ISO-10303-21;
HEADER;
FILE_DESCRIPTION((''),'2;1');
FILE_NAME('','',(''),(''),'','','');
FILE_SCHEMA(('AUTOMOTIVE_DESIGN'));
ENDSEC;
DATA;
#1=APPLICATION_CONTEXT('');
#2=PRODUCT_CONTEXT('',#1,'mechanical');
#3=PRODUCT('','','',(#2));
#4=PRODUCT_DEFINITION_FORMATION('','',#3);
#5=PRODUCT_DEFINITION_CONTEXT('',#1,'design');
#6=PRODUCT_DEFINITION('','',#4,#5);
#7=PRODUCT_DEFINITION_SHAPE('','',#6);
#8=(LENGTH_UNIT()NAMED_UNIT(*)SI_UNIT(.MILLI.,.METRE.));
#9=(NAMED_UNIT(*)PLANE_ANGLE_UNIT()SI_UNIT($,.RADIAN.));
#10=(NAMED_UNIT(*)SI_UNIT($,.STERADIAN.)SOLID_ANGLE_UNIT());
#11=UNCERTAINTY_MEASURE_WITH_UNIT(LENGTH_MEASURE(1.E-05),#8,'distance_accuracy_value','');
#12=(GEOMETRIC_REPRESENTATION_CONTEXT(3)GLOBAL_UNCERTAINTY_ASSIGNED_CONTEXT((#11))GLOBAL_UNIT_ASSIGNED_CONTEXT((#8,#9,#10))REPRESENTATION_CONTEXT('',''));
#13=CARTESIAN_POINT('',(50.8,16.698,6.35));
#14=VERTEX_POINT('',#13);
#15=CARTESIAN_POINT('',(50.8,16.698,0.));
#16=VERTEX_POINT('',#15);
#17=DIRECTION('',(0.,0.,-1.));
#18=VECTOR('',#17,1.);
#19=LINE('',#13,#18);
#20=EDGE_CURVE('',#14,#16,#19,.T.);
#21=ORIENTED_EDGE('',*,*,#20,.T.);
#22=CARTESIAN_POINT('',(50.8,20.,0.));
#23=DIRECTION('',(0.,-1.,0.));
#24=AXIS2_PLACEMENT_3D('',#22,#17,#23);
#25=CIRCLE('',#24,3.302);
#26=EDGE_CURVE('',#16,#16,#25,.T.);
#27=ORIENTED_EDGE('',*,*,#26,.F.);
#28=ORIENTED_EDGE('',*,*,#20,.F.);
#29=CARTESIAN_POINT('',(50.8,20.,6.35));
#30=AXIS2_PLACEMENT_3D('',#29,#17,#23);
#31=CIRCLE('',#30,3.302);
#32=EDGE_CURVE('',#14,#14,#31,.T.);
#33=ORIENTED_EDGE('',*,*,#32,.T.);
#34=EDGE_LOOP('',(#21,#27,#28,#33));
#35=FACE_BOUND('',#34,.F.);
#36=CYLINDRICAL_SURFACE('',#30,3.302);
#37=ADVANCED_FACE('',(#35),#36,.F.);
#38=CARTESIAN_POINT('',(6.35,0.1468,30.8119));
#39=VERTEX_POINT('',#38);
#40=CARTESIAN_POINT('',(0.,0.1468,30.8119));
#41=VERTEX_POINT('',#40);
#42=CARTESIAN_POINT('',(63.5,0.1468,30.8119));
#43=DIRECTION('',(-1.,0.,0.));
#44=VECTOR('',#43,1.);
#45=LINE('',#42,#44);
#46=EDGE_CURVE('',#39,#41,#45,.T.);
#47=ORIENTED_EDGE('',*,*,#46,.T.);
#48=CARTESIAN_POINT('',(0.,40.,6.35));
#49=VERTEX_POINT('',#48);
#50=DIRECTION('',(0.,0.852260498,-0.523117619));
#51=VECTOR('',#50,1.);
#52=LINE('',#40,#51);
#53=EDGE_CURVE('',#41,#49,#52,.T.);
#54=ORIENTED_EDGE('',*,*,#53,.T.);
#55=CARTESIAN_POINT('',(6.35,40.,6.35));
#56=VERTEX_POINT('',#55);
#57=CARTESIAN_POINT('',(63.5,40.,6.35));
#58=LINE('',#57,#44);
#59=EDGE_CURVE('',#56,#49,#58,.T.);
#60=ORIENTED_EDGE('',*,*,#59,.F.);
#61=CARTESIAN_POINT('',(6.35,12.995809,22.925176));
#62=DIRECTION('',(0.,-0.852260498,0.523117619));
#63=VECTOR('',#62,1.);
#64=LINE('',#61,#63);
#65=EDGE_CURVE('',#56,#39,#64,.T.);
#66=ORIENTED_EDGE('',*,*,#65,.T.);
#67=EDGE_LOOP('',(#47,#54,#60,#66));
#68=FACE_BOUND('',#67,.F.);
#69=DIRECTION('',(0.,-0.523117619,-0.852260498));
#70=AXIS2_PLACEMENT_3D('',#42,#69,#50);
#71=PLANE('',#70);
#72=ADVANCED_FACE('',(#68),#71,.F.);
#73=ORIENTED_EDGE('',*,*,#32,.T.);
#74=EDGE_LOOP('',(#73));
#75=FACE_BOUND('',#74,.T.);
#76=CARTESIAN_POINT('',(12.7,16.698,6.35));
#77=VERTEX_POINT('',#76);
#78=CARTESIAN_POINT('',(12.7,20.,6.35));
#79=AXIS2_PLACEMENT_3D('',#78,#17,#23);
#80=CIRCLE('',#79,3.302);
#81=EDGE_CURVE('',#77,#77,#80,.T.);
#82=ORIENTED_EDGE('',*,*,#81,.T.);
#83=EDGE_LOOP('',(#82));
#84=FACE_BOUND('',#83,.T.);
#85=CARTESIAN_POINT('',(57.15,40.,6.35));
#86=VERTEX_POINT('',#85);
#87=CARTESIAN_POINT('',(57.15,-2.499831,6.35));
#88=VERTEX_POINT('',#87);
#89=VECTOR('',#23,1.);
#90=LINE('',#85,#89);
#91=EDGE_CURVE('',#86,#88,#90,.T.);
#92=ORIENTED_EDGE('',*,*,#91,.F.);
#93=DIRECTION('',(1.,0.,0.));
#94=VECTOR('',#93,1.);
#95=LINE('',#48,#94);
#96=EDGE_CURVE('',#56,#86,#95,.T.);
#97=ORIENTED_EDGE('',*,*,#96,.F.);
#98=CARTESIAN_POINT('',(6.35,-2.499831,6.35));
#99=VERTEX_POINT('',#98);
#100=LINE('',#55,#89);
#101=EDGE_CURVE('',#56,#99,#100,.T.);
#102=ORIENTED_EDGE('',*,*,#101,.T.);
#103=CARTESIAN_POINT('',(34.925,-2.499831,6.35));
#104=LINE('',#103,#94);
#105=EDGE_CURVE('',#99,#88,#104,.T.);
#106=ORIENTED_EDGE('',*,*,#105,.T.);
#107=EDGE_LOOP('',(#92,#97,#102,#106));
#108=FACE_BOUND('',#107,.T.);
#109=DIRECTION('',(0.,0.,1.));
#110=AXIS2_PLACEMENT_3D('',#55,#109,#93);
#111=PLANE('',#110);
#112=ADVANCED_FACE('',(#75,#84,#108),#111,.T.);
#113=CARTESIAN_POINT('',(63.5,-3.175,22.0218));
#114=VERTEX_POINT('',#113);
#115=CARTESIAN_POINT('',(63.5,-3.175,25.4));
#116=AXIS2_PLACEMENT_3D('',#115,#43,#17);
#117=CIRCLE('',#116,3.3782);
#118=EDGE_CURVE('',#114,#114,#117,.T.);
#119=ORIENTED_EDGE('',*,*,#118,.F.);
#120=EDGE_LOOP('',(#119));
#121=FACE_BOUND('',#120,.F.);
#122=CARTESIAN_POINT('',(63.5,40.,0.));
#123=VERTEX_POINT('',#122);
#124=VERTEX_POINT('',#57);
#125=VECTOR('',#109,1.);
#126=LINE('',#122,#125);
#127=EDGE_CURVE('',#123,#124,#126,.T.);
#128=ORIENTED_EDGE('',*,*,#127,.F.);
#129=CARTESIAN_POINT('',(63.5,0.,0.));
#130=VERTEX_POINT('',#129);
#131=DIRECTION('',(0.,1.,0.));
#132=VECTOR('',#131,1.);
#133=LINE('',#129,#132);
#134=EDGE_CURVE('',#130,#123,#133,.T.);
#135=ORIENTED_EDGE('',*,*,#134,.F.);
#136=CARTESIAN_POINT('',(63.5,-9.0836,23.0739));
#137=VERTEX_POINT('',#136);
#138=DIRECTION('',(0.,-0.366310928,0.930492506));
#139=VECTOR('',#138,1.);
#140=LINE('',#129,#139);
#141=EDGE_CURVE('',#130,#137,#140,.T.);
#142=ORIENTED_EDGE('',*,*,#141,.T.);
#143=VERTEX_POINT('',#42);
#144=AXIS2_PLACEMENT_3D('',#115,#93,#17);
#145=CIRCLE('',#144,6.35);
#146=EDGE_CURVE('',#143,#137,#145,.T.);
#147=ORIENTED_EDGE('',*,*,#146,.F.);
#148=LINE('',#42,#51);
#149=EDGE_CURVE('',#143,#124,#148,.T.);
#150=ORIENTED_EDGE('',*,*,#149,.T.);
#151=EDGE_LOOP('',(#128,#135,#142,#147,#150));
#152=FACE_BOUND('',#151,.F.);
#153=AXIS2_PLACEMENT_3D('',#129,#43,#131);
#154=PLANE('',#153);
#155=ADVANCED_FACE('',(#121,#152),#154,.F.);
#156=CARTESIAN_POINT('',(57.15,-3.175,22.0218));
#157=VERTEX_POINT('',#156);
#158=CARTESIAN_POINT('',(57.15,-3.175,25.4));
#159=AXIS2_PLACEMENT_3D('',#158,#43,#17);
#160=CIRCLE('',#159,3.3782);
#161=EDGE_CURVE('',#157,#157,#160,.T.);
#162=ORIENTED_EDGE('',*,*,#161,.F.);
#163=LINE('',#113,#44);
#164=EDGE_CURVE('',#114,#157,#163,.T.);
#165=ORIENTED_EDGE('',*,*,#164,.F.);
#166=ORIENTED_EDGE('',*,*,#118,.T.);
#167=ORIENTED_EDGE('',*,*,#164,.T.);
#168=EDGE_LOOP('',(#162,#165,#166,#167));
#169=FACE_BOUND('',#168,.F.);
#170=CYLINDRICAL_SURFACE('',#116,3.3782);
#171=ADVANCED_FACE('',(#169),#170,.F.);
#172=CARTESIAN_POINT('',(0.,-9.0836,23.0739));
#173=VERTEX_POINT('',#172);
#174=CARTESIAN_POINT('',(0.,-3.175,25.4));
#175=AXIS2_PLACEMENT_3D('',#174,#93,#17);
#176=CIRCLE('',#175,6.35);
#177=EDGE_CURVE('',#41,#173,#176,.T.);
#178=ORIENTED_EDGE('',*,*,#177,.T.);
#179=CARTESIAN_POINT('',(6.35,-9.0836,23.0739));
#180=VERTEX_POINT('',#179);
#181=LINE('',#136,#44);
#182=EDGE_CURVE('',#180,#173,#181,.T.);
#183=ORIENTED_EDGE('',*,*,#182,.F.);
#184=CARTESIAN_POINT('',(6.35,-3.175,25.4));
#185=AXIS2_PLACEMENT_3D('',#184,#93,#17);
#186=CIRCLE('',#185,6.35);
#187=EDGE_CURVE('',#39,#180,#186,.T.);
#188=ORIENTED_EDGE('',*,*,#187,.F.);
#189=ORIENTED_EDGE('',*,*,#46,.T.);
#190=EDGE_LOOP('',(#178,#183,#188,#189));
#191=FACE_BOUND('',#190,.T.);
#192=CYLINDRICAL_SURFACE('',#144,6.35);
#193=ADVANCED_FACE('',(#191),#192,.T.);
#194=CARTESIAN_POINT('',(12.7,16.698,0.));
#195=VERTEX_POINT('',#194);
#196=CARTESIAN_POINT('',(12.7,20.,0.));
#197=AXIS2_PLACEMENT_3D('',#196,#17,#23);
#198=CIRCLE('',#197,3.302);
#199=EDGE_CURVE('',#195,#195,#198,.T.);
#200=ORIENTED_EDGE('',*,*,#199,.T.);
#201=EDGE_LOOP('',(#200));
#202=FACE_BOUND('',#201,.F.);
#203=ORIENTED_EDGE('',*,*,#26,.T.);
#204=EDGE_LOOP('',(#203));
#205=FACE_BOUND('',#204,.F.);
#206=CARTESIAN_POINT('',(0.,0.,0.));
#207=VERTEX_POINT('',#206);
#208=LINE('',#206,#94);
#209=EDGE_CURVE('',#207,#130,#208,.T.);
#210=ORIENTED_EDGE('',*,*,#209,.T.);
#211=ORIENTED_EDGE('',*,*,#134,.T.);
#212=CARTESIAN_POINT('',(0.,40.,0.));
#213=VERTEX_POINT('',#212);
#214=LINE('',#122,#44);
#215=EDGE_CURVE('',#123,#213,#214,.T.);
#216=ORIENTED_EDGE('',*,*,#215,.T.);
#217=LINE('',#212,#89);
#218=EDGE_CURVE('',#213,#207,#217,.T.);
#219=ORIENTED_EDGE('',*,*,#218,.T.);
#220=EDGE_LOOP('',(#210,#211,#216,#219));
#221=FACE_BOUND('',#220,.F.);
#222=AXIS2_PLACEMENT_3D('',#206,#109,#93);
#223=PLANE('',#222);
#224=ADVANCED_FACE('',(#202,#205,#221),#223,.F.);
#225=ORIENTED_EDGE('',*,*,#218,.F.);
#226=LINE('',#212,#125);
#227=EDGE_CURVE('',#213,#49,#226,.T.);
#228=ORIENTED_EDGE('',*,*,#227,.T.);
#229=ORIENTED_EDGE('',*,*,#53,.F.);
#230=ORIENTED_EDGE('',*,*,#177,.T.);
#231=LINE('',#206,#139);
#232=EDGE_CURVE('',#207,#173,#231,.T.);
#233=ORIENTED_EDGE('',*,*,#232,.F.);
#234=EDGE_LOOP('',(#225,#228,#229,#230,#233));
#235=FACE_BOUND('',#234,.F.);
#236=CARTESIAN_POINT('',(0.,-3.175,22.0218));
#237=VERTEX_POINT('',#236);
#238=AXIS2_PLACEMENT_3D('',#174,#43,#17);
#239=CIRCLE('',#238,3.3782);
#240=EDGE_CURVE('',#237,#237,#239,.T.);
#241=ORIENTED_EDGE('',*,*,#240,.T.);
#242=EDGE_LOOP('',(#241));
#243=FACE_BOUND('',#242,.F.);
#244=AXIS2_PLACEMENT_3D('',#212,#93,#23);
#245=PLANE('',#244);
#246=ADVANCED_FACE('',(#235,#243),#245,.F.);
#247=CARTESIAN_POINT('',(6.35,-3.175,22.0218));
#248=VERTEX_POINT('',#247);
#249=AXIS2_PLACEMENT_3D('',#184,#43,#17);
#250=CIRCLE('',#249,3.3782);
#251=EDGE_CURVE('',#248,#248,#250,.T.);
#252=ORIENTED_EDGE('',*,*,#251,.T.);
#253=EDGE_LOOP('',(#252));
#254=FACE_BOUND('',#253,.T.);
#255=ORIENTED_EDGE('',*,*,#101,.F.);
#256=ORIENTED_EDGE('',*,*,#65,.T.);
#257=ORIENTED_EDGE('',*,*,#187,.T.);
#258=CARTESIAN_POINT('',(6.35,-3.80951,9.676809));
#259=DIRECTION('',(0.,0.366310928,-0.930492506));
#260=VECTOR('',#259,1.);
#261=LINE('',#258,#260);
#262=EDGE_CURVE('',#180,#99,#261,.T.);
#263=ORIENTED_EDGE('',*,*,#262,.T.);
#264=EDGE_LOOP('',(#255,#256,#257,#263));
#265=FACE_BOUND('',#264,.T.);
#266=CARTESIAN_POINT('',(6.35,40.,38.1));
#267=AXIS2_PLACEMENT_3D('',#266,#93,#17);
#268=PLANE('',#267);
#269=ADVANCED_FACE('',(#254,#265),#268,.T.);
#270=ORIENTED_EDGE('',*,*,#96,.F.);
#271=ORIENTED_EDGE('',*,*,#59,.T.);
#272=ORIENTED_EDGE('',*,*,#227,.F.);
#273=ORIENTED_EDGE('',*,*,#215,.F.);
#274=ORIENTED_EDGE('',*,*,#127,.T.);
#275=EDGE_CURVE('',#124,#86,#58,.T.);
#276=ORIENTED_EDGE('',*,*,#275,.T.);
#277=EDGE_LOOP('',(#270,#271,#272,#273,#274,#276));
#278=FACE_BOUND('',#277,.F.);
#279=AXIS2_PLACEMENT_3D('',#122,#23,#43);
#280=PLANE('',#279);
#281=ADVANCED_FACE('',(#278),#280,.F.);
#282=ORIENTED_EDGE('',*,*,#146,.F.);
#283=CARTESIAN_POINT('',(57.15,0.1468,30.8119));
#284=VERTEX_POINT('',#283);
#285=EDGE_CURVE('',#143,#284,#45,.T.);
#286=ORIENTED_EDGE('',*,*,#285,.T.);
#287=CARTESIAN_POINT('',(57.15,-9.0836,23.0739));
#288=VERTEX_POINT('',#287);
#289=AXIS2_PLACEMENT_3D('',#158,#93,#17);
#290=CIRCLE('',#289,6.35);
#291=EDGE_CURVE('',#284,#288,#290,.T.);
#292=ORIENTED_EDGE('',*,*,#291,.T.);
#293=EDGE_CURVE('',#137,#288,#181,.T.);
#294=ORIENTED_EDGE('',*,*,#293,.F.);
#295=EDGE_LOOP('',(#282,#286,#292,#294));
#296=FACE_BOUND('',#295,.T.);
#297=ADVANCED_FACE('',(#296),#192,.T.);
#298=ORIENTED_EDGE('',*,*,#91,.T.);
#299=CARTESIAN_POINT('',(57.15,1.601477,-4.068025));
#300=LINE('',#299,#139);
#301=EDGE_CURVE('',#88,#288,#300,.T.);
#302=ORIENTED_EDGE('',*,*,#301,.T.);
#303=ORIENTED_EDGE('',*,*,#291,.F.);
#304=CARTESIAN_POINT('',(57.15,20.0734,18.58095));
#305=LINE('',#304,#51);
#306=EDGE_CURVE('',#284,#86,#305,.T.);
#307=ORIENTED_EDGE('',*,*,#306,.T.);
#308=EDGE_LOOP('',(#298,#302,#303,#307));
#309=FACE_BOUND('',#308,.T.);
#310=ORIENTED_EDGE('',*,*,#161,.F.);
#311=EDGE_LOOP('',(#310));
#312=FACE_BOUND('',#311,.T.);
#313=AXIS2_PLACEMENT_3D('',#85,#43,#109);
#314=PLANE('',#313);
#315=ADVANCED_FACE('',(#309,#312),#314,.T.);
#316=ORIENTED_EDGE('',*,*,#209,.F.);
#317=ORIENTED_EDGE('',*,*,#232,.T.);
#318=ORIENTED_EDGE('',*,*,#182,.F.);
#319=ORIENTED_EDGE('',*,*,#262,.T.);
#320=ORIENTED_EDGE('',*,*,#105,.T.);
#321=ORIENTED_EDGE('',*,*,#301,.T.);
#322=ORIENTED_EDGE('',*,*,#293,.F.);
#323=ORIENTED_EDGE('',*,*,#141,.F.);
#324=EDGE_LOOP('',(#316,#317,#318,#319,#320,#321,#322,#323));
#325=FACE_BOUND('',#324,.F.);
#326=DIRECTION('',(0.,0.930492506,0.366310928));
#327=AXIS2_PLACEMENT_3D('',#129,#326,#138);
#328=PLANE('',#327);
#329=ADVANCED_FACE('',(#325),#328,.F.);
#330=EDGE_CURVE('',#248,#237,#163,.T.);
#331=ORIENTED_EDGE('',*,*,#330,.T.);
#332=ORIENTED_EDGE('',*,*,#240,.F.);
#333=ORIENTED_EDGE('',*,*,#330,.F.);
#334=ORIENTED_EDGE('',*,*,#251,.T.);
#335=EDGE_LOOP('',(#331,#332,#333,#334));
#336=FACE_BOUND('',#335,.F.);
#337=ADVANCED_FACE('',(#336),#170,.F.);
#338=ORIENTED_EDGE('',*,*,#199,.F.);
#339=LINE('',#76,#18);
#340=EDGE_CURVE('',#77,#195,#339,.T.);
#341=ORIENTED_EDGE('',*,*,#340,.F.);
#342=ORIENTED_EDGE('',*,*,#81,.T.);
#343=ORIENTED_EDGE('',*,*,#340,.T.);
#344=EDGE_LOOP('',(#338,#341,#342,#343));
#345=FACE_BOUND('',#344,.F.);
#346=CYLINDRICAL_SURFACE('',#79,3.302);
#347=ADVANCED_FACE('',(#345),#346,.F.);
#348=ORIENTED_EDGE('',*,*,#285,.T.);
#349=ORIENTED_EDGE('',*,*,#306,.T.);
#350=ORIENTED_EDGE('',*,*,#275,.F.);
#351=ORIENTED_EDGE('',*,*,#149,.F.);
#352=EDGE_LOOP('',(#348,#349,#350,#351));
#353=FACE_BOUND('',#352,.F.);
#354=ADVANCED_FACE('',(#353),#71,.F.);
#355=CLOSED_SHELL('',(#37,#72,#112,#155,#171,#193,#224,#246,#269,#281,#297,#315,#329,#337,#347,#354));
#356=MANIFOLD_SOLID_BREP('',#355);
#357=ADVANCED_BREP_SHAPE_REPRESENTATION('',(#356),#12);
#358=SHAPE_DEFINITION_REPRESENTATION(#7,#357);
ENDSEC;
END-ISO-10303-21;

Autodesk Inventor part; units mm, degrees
ref_plane "YZ Plane" through (0, 0, 0) normal (1, 0, 0) x (0, 1, 0)
ref_plane "XZ Plane" through (0, 0, 0) normal (0, 1, 0) x (-1, 0, 0)
ref_plane "XY Plane" through (0, 0, 0) normal (0, 0, 1) x (1, 0, 0)
sketch "Sketch1" plane through (0, 0, 0) normal (0, 0, 1) x (1, 0, 0)
  line L0 (0, 0) -> (63.5, 0)
  line L1 (63.5, 0) -> (63.5, 40)
  line L2 (63.5, 40) -> (0, 40)
  line L3 (0, 40) -> (0, 0)
  dimension "d2" = 40
  dimension "d3" = 63.5
extrude "Extrusion1" add sketch "Sketch1" along normal blind 6.35
sketch "Sketch2" plane through (0, 0, 6.35) normal (0, 0, 1) x (1, 0, 0)
  line L0 (0, 0) -> (0, 40) projected
  line L1 (0, 40) -> (63.5, 40) projected
  line L2 (50.8, 20) -> (12.7, 20)
  point P0 (0, 20)
  point P1 (31.75, 20)
  point P2 (31.75, 40)
  dimension "d4" = 38.1
hole "Hole1" at (12.7, 20, 6.35) at (50.8, 20, 6.35) direction (0, 0, -1) diameter 6.604 end through all clearance for "Flat Head Machine Screw" size "M6" standard "Ansi Metric M Profile"
sketch "Sketch3" plane through (63.5, 0, 0) normal (1, 0, 0) x (0, 0, -1)
  line L0 (-6.35, 40) -> (-6.35, 0) projected
  line L1 (0, 0) -> (-6.35, 0) projected
  line L2 (0, 0) -> (0, 40) projected
  circle A0 centre (-25.4, -3.175) radius 6.35
  line L3 (0, 0) -> (-23.0739, -9.0836)
  line L4 (-30.8119, 0.1468) -> (-6.35, 40)
  dimension "d12" = 12.7
  dimension "d13" = 3.175
  dimension "d14" = 25.4
extrude "Extrusion2" add sketch "Sketch3" against normal up to surface (63.5 mm away)
sketch "Sketch4" plane through (0, 40, 0) normal (0, 1, 0) x (1, 0, 0)
  line L0 (0, -6.35) -> (63.5, -6.35) projected
  line L1 (63.5, 0) -> (63.5, -6.35) projected
  line L2 (0, 0) -> (0, -6.35) projected
  line L3 (6.35, -6.35) -> (57.15, -6.35)
  line L4 (57.15, -6.35) -> (57.15, -38.1)
  line L5 (57.15, -38.1) -> (6.35, -38.1)
  line L6 (6.35, -38.1) -> (6.35, -6.35)
  dimension "d17" = 31.75
  dimension "d18" = 6.35
  dimension "d19" = 6.35
extrude "Extrusion3" cut sketch "Sketch4" against normal through all
hole "Hole2" at (63.5, -3.175, 25.4) direction (-1, 0, 0) diameter 6.7564 end through all clearance for "Flat Head Machine Screw (82)" size "1/4" standard "Ansi Unified Screw Threads"
properties part number "kinect bracket b"
